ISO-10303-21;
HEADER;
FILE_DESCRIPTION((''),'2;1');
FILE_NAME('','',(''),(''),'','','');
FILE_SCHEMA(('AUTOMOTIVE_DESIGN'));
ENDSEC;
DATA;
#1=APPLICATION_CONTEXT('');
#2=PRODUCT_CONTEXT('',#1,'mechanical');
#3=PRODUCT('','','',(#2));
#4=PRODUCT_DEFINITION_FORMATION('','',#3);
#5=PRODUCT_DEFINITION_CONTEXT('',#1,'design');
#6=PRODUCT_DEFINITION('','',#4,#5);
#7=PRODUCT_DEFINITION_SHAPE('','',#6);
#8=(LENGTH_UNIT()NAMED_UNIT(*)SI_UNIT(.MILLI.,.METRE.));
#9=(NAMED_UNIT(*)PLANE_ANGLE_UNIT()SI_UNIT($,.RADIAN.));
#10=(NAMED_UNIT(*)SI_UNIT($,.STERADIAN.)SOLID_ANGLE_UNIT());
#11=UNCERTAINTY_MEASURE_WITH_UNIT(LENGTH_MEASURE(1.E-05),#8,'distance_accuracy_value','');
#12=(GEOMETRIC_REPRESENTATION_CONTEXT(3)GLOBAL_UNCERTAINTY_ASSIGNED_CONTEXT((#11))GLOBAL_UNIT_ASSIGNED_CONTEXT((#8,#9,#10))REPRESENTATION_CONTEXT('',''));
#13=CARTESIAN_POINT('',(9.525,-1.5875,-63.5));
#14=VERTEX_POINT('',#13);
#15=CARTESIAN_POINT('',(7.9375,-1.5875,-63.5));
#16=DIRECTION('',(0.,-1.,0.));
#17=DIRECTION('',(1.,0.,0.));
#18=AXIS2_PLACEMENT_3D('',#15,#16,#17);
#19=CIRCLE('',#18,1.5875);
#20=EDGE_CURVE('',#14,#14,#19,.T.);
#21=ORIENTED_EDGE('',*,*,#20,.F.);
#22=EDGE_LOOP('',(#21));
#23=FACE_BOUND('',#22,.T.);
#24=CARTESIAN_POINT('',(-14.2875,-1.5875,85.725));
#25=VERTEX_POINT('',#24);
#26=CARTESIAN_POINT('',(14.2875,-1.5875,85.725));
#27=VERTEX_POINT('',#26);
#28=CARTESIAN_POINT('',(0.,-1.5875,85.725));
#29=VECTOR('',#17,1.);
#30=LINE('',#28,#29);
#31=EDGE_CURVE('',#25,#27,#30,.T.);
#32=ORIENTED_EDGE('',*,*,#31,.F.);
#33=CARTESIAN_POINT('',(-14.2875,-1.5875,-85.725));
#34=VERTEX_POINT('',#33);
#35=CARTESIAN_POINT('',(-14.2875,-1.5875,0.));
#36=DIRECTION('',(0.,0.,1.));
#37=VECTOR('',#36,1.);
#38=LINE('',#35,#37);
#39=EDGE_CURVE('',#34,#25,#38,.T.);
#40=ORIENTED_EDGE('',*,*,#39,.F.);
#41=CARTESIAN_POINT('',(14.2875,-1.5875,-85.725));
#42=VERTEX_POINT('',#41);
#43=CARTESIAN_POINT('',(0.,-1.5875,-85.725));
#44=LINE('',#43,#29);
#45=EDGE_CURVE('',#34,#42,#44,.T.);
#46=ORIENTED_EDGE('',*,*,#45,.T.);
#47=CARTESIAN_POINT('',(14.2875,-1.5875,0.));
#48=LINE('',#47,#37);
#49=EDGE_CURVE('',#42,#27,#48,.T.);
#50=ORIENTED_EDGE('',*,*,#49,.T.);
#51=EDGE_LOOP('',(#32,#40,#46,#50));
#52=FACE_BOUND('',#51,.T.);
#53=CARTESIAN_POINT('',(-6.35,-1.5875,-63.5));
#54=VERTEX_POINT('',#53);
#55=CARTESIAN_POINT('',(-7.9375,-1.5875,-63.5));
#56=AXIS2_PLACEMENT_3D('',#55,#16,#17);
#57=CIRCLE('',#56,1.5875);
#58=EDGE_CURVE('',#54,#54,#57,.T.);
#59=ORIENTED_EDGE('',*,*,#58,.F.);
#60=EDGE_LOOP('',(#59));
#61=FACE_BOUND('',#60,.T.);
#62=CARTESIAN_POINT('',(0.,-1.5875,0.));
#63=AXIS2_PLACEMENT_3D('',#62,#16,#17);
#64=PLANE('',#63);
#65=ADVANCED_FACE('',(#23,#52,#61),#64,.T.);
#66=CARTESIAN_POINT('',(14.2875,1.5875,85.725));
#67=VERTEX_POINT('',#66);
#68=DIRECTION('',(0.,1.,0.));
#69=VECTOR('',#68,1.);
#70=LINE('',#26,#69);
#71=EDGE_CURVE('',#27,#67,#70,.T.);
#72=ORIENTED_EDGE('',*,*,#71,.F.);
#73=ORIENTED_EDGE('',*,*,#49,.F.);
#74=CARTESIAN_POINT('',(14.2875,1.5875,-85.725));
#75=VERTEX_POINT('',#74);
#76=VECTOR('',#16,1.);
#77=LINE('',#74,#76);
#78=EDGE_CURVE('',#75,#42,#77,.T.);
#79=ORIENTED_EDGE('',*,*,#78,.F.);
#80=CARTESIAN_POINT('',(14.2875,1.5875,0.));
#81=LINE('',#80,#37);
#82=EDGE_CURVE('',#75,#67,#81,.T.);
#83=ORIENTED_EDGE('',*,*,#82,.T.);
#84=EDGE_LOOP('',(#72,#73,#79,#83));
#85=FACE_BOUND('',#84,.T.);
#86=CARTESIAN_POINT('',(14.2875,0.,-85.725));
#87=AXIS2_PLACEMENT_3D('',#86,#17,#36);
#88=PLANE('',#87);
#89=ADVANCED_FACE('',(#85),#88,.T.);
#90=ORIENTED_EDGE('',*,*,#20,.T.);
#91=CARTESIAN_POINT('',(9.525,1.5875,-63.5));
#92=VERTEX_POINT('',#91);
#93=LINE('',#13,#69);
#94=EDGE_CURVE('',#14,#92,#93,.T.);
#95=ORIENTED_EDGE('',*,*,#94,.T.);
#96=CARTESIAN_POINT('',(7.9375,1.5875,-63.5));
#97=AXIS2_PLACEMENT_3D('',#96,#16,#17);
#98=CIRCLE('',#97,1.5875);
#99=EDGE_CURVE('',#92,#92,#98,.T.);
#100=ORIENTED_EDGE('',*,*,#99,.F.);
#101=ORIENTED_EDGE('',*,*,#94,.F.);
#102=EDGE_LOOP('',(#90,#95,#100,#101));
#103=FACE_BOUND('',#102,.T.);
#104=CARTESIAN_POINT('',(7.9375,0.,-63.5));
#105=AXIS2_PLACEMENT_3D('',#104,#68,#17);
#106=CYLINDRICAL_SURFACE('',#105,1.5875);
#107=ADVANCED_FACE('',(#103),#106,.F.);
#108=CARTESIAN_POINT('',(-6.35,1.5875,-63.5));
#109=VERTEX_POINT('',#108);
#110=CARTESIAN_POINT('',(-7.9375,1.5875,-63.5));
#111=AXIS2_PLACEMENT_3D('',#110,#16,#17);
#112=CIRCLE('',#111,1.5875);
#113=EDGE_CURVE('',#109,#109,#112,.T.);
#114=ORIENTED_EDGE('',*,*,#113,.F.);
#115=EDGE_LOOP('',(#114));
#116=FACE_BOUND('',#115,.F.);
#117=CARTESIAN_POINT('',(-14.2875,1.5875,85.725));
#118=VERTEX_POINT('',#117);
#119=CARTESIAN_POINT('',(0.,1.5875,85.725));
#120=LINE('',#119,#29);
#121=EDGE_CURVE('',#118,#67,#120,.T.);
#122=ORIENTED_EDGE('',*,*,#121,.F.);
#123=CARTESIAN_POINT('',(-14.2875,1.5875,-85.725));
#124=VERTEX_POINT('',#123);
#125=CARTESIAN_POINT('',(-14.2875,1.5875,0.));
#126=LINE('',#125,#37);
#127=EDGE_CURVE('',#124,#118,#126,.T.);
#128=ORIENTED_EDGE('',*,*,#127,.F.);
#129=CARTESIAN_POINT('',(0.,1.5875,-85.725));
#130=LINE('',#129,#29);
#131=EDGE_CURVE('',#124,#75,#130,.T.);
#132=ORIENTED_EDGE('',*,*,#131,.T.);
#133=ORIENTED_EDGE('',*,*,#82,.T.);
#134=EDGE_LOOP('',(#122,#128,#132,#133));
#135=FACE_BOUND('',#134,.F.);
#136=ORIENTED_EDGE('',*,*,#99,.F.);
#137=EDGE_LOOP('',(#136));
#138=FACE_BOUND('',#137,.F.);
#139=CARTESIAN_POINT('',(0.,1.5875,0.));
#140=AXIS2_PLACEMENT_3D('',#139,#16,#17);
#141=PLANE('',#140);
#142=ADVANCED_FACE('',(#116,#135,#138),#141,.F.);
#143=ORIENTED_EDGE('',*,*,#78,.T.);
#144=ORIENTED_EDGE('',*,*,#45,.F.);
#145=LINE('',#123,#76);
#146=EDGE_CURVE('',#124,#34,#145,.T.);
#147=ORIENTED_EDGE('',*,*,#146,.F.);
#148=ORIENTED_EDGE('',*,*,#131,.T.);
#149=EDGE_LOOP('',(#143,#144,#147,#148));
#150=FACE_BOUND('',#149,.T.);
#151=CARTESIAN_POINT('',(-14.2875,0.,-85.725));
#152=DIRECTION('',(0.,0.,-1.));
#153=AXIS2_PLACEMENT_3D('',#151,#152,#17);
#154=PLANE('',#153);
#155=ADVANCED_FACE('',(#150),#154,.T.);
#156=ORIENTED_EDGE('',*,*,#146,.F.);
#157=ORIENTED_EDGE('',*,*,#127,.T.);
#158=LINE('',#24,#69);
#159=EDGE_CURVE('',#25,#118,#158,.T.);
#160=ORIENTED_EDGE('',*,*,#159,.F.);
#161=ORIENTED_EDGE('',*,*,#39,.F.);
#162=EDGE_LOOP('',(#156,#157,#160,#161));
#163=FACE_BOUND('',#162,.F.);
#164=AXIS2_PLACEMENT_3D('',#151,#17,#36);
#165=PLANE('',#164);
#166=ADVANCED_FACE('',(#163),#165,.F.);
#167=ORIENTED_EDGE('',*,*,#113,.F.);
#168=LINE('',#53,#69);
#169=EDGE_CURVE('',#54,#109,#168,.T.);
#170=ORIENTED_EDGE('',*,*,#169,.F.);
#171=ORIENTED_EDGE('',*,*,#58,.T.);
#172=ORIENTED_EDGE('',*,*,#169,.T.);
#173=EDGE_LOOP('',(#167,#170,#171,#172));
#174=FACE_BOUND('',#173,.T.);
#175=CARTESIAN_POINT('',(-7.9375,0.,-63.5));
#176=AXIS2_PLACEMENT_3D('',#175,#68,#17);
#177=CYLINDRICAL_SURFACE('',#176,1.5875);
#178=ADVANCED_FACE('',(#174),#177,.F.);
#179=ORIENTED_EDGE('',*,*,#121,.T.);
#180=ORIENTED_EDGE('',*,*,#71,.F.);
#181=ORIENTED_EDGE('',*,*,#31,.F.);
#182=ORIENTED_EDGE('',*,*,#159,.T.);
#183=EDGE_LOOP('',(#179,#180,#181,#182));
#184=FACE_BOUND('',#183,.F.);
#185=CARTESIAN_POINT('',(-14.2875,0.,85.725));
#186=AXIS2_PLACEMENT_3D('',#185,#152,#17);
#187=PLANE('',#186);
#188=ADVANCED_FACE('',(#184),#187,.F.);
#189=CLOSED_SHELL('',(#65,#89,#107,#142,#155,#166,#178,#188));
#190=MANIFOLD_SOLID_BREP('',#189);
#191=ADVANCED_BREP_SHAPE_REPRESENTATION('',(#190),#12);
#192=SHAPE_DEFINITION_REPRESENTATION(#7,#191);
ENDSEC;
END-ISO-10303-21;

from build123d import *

# Parameters (mm, degrees)
F0_W     = 28.575
F0_H     = 171.45
F0_R     = 1.5875
F1_DEPTH = 1.5875


with BuildPart() as f1:
    # F0 (on Front) → F1 (new body, symmetric)
    with BuildSketch(Plane.XZ):
        Rectangle(F0_W, F0_H)
        with Locations((-7.9375, -63.5)):
            Circle(F0_R, mode=Mode.SUBTRACT)
        with Locations((7.9375, -63.5)):
            Circle(F0_R, mode=Mode.SUBTRACT)
    extrude(amount=F1_DEPTH, both=True)


solid = f1.part
